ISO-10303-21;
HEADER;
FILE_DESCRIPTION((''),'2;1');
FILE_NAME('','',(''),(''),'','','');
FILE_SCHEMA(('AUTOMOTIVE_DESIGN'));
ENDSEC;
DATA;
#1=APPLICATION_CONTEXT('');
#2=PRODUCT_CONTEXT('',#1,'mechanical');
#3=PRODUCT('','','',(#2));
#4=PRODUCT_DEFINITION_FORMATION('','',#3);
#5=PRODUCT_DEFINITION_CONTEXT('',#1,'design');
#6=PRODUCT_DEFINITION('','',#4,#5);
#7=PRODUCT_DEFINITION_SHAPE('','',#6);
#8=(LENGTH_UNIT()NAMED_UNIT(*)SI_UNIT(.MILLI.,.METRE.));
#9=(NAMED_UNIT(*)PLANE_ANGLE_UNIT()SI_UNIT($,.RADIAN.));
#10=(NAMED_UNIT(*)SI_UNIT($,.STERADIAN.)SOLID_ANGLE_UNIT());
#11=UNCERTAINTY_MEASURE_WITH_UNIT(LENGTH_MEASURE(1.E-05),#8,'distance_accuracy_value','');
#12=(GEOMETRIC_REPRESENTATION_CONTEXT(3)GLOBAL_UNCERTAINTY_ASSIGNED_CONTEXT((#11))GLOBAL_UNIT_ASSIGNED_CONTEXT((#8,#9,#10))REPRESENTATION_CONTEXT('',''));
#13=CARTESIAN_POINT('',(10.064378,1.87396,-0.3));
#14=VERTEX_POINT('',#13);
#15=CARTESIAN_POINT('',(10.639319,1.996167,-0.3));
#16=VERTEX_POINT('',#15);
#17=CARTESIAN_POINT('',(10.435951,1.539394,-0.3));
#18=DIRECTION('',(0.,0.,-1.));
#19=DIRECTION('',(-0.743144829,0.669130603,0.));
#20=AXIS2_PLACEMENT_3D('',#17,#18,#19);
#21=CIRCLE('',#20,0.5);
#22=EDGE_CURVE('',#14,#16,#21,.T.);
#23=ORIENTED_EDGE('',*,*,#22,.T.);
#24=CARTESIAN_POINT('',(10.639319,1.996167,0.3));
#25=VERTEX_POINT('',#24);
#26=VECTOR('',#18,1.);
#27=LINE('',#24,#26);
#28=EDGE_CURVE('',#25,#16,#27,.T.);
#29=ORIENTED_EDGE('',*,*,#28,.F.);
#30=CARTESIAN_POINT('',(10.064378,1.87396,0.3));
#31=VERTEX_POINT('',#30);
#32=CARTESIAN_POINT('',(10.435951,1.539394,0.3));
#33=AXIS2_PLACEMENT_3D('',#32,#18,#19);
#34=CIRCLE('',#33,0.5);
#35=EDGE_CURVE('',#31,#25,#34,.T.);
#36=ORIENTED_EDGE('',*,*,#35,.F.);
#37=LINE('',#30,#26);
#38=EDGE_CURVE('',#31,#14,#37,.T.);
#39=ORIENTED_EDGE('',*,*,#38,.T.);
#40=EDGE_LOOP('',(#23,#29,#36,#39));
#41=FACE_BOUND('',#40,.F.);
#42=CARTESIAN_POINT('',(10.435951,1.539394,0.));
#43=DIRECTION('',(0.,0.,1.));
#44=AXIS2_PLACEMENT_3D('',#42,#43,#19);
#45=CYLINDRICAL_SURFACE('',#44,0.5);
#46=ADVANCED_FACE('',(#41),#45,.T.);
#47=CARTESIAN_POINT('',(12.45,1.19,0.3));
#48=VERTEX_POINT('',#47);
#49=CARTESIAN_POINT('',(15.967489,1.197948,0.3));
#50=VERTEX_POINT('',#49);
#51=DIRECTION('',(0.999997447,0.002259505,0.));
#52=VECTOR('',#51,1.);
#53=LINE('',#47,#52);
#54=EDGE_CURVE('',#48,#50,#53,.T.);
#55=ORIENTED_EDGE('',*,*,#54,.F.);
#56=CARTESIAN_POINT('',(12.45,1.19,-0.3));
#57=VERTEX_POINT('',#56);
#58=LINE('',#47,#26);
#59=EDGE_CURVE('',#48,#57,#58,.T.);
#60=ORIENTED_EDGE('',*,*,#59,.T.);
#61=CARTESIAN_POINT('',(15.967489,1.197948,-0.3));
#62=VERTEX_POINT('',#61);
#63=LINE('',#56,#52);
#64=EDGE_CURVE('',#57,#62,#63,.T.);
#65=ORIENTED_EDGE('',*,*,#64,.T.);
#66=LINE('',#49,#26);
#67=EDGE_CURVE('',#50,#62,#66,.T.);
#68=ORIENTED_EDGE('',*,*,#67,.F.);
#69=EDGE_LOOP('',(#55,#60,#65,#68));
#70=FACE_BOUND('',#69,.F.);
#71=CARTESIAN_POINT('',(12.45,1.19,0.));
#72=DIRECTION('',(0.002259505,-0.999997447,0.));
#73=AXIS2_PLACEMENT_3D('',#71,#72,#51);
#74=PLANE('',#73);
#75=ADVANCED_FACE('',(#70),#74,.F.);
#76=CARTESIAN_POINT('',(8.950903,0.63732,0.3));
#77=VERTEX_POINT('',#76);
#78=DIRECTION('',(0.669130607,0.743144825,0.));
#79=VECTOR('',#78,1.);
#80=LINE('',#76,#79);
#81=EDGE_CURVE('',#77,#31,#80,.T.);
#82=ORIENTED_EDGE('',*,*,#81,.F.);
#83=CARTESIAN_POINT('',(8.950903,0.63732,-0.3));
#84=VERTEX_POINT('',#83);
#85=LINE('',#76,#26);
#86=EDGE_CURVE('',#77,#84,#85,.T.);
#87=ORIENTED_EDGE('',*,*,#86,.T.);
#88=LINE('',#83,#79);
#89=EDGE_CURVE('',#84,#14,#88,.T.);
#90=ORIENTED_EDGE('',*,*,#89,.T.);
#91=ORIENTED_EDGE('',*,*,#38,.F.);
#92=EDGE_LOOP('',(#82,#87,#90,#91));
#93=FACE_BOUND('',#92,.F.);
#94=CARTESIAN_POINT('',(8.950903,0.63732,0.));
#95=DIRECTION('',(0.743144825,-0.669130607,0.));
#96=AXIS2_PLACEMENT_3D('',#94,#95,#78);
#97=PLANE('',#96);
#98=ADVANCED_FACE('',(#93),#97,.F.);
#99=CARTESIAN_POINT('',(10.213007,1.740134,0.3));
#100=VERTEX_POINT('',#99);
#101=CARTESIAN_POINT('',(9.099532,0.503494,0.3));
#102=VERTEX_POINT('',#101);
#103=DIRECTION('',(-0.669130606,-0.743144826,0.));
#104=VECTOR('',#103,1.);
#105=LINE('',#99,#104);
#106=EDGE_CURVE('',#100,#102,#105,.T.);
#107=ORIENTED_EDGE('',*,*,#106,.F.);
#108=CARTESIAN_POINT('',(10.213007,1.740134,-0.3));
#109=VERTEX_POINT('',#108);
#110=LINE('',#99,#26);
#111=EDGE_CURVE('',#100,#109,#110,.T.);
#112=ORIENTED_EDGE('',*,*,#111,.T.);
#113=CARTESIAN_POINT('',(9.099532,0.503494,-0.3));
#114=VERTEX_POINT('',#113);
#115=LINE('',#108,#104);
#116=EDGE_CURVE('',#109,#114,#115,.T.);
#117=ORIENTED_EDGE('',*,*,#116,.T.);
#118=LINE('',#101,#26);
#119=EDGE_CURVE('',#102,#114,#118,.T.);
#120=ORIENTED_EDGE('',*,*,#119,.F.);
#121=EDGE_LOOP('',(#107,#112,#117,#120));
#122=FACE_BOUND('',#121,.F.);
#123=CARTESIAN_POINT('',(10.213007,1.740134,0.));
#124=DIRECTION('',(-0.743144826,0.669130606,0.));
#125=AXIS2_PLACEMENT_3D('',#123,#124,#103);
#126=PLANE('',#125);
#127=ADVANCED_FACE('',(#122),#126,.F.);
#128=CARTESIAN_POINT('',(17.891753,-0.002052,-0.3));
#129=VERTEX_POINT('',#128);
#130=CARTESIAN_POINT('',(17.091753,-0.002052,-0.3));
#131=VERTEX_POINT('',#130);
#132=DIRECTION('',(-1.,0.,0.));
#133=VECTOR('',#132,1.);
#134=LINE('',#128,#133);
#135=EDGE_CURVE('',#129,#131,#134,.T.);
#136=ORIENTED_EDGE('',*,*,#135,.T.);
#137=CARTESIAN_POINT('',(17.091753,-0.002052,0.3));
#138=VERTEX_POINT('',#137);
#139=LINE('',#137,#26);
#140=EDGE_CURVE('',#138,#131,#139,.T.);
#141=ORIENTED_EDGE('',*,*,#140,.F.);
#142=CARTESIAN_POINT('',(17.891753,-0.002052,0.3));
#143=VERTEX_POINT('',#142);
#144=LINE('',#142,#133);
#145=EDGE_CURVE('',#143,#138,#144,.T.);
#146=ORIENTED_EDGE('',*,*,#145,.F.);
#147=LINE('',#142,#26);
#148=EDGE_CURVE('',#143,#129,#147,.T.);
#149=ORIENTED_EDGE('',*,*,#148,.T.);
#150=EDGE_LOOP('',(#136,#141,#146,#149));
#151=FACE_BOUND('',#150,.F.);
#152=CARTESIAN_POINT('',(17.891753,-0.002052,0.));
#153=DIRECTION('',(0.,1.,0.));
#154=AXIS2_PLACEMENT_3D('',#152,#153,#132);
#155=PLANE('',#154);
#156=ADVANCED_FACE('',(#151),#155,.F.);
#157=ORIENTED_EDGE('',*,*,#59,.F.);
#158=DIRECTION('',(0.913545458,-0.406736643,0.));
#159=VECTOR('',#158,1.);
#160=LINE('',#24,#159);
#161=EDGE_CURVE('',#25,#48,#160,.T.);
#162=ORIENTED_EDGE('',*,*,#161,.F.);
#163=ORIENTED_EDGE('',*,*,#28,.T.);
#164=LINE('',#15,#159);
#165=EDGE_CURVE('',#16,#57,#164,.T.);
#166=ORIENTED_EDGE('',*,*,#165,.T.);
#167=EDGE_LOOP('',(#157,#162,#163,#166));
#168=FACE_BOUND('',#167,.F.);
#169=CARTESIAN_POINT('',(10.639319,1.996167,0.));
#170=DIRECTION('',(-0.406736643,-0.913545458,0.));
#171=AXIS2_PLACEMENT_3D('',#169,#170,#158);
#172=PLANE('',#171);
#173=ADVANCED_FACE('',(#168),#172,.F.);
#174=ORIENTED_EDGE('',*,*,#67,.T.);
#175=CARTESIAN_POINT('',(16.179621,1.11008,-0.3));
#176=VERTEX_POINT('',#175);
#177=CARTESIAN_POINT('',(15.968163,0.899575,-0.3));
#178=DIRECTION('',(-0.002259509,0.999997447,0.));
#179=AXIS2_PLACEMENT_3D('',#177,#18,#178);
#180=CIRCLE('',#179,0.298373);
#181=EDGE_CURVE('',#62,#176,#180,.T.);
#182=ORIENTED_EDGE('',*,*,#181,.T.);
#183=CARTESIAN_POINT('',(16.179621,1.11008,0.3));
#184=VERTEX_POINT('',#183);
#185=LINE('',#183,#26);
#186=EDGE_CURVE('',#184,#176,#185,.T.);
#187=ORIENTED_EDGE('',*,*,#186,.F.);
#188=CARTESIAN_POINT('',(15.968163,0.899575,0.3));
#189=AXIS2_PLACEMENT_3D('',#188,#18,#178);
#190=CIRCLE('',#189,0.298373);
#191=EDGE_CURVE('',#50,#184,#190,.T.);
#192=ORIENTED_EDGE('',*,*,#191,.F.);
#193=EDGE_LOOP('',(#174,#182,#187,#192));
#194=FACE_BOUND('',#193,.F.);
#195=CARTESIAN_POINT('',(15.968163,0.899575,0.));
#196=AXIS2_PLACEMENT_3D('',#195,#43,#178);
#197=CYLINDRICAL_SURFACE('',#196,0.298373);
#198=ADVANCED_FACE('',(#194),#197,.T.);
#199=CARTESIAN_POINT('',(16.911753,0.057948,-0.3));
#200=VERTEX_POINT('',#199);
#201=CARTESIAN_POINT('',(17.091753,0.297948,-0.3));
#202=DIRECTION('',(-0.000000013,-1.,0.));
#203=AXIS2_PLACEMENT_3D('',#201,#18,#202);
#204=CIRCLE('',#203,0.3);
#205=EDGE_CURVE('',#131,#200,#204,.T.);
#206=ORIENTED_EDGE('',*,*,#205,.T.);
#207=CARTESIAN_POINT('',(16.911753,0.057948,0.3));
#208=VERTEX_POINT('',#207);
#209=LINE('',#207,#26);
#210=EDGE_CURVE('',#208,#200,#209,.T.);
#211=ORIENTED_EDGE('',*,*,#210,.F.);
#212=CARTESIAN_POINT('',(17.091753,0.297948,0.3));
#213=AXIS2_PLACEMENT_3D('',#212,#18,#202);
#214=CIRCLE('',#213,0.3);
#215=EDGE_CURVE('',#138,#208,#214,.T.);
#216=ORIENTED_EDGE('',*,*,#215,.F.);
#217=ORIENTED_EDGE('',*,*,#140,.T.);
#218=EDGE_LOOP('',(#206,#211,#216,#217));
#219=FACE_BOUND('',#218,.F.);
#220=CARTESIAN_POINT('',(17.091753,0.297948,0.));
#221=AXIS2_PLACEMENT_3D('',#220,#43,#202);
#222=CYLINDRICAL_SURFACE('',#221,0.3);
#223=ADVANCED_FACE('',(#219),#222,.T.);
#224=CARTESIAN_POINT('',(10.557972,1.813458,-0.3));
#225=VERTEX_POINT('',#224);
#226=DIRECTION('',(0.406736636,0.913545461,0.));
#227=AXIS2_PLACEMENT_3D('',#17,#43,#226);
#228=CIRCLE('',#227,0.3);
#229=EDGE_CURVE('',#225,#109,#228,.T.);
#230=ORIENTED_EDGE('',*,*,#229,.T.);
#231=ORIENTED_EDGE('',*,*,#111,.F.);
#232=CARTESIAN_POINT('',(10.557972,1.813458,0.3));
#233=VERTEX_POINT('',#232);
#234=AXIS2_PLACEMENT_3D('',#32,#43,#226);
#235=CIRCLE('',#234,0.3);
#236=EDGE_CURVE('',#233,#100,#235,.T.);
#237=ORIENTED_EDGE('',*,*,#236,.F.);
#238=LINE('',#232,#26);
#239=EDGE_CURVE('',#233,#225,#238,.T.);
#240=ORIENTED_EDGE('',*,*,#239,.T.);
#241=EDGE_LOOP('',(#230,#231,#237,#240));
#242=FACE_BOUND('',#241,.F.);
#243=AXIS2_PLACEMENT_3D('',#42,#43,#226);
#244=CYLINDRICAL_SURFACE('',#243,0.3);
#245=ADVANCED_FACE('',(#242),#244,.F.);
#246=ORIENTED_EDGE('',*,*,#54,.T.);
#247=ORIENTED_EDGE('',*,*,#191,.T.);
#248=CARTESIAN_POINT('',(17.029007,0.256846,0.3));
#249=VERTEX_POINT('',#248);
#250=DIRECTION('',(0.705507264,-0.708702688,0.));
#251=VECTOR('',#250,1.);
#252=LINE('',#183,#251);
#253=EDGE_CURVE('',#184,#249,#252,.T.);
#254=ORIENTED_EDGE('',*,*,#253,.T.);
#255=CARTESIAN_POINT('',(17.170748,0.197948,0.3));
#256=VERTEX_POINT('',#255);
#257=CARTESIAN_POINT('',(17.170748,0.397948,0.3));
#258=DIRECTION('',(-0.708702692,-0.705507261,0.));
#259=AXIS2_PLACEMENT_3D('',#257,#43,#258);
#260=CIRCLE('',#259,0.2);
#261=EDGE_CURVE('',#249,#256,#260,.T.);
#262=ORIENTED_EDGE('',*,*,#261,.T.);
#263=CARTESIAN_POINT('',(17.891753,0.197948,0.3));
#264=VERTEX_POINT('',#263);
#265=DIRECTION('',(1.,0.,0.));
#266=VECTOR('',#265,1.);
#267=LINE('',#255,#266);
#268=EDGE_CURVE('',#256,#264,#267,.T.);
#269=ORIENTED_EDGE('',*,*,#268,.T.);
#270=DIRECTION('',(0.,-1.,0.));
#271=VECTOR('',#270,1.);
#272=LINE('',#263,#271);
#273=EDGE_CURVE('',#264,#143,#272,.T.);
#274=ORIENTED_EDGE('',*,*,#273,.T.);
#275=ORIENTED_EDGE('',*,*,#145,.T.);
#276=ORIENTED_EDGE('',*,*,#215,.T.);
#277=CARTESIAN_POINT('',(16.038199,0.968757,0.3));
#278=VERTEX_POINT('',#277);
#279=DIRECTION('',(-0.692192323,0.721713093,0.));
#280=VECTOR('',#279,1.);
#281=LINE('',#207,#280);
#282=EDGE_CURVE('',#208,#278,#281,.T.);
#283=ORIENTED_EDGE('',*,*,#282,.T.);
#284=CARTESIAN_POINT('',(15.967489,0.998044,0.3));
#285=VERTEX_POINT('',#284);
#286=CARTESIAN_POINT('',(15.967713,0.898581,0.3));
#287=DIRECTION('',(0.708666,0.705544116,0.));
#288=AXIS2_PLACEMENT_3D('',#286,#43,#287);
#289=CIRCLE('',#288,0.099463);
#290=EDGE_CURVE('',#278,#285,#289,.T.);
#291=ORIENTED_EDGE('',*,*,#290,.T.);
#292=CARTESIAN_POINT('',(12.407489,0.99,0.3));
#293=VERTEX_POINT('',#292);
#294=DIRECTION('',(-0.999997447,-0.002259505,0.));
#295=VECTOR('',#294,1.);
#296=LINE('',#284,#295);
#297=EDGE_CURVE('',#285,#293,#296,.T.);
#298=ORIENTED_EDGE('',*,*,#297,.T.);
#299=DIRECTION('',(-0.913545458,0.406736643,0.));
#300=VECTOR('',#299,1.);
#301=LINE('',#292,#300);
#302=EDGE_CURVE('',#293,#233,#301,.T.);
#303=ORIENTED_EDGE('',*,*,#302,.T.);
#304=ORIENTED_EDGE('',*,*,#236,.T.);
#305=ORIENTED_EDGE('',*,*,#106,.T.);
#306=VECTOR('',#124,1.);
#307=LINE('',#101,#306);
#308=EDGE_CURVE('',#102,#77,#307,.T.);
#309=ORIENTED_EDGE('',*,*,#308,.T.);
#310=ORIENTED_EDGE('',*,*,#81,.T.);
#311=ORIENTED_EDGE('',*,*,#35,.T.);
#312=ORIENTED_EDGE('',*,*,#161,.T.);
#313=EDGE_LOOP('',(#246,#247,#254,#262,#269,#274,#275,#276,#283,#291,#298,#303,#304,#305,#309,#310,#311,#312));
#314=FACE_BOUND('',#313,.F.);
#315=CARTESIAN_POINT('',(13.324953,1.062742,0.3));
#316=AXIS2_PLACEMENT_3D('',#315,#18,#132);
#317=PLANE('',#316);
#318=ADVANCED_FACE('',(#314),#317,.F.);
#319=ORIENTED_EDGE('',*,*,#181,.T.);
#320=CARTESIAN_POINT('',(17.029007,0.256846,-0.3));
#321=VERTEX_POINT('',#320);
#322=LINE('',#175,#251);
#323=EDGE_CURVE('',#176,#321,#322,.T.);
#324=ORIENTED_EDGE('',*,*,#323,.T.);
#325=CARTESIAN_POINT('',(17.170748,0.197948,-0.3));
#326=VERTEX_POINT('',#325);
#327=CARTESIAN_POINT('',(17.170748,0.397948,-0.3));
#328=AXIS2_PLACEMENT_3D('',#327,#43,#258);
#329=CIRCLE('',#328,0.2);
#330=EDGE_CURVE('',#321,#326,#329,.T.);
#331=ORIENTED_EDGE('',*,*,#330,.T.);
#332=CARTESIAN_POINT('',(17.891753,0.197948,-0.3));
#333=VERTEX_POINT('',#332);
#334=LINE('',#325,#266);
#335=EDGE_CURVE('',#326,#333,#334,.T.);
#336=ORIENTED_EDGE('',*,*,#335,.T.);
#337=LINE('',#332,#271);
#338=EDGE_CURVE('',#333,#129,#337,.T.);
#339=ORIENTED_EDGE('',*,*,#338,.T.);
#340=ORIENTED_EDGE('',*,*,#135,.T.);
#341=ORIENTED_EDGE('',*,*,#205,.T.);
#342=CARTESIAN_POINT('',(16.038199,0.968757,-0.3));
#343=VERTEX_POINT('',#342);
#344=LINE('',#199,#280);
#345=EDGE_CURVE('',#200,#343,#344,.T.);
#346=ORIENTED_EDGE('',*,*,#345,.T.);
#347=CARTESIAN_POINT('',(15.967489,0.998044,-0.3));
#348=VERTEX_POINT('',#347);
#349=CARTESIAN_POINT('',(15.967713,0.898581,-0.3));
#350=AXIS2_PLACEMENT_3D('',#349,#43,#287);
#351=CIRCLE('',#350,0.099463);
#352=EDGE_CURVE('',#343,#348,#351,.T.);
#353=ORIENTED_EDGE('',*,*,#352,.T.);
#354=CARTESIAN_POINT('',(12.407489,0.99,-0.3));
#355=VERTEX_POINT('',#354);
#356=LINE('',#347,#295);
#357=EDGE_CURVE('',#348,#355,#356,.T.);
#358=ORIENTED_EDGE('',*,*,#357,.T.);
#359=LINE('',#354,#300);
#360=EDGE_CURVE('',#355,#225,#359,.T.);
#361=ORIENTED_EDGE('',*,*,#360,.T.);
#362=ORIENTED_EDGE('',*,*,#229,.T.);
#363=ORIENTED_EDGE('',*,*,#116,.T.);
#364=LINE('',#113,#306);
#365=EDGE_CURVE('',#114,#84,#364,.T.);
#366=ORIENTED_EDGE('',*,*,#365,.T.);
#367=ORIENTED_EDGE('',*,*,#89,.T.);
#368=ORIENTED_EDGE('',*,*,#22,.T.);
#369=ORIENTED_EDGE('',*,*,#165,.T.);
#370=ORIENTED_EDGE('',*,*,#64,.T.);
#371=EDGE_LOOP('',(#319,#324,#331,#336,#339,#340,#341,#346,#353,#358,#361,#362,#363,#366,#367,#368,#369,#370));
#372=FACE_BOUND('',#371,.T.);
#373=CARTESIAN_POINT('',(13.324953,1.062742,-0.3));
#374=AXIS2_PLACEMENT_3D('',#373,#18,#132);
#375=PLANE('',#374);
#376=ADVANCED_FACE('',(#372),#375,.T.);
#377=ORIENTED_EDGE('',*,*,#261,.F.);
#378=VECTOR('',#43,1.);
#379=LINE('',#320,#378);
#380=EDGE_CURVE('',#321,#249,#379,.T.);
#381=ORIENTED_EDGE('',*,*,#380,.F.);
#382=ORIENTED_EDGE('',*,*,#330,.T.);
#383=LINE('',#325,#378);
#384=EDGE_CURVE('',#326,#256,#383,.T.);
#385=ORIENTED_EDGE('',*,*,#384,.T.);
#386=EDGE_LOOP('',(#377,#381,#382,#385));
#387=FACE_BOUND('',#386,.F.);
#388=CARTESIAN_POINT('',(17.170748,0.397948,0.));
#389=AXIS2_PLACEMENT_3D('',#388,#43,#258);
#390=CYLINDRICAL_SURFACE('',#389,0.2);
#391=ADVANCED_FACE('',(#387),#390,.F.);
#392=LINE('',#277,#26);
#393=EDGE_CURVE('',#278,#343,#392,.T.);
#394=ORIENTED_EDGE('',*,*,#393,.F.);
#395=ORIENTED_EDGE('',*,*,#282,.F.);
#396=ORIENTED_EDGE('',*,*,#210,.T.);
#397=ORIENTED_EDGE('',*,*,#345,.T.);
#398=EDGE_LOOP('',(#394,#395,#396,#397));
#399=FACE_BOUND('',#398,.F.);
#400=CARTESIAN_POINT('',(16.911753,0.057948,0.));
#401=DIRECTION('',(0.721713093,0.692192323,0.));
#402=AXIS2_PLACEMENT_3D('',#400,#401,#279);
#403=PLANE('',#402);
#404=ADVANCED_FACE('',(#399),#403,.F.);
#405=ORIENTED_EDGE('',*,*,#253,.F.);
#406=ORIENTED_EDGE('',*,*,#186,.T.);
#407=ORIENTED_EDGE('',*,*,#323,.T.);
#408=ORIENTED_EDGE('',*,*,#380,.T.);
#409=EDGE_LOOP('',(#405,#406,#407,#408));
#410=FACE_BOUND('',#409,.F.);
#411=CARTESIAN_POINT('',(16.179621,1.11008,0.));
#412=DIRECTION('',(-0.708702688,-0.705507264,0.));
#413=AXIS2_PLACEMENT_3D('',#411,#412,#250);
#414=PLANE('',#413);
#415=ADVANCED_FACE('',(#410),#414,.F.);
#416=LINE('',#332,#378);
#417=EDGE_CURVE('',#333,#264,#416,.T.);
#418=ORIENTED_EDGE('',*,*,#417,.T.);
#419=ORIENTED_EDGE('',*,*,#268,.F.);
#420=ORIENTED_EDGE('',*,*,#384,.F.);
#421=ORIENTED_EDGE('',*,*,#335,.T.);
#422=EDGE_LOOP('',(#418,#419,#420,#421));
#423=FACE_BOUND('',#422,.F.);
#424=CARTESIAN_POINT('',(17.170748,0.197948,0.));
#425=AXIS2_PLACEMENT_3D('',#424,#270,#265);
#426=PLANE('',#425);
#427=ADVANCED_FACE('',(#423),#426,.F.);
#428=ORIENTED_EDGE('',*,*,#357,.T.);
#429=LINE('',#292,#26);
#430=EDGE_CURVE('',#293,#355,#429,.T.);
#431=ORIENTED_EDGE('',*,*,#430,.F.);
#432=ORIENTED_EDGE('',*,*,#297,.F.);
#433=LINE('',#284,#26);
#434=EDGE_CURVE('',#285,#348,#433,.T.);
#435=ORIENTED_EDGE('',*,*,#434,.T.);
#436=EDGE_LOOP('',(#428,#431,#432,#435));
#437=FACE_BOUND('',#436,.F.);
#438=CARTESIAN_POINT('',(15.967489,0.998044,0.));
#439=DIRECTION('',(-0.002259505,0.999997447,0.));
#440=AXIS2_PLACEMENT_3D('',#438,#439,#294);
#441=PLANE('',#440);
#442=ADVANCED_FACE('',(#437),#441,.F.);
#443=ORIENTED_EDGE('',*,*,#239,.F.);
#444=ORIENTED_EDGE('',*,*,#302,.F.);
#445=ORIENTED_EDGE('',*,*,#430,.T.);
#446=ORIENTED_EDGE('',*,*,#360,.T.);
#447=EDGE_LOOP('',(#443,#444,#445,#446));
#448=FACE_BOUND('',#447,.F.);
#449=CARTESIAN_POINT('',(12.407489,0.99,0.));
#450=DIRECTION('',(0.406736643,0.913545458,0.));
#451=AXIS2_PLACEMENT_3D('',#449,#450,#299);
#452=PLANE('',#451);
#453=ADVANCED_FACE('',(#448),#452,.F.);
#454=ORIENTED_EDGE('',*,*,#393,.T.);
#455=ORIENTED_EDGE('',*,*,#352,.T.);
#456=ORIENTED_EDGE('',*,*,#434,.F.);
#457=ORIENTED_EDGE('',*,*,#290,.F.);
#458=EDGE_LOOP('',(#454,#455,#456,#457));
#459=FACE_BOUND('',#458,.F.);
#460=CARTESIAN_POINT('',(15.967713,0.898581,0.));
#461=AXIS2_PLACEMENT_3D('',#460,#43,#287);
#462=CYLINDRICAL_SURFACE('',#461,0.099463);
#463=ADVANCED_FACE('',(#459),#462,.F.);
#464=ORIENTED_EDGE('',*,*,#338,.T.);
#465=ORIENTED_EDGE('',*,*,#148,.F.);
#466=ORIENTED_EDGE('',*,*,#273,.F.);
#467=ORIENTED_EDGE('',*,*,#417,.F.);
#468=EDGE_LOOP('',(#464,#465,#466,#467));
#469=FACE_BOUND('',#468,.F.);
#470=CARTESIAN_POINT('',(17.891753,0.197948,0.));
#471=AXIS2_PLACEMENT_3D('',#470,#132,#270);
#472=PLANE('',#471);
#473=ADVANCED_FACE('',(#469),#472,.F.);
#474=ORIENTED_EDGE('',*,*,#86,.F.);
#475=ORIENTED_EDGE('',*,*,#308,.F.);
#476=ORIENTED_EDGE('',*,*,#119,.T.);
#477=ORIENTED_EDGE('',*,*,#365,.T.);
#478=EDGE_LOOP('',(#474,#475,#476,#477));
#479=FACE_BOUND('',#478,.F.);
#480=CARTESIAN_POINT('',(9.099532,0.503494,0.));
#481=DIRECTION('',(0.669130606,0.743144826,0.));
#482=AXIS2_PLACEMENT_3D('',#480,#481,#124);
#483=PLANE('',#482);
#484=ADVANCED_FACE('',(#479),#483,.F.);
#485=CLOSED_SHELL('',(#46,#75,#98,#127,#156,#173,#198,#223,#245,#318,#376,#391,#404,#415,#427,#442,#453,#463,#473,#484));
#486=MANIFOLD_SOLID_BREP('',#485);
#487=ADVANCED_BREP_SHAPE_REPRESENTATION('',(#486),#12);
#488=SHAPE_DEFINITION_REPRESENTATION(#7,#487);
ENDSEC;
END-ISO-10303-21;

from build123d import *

# Parameters (mm, degrees)
RESSALTO_EXTRUS_O1_DEPTH = 0.3


with BuildPart() as part:
    # Esboço1 → Ressalto-extrusão1 (new body, symmetric)
    with BuildSketch(Plane.XY):
        with BuildLine():
            Line((17.891752756, 0.197947805), (17.891752756, -0.002052195))
            Line((17.891752756, -0.002052195), (17.091752756, -0.002052195))
            ThreePointArc((17.091752756, -0.002052195), (16.996884427, 0.013342816), (16.911752756, 0.057947805))
            Line((16.911752756, 0.057947805), (16.038199366, 0.968756691))
            ThreePointArc((16.038199366, 0.968756691), (16.005773821, 0.990473944), (15.967488688, 0.99804386))
            Line((15.967488688, 0.99804386), (12.407488688, 0.99))
            Line((12.407488688, 0.99), (10.557971552, 1.813458083))
            ThreePointArc((10.557971552, 1.813458083), (10.373577052, 1.832838725), (10.213007112, 1.740133627))
            Line((10.213007112, 1.740133627), (9.099531826, 0.503494039))
            Line((9.099531826, 0.503494039), (8.95090286, 0.637320161))
            Line((8.95090286, 0.637320161), (10.064378147, 1.873959748))
            ThreePointArc((10.064378147, 1.873959748), (10.331994714, 2.028468246), (10.639318881, 1.996167174))
            Line((10.639318881, 1.996167174), (12.45, 1.19))
            Line((12.45, 1.19), (15.967488688, 1.197947805))
            ThreePointArc((15.967488688, 1.197947805), (16.082345327, 1.175236263), (16.179620722, 1.11007984))
            Line((16.179620722, 1.11007984), (17.029007121, 0.256846352))
            ThreePointArc((17.029007121, 0.256846352), (17.094002269, 0.213258484), (17.170747658, 0.197947805))
            Line((17.170747658, 0.197947805), (17.891752756, 0.197947805))
        make_face()
    extrude(amount=RESSALTO_EXTRUS_O1_DEPTH, both=True)


solid = part.part
